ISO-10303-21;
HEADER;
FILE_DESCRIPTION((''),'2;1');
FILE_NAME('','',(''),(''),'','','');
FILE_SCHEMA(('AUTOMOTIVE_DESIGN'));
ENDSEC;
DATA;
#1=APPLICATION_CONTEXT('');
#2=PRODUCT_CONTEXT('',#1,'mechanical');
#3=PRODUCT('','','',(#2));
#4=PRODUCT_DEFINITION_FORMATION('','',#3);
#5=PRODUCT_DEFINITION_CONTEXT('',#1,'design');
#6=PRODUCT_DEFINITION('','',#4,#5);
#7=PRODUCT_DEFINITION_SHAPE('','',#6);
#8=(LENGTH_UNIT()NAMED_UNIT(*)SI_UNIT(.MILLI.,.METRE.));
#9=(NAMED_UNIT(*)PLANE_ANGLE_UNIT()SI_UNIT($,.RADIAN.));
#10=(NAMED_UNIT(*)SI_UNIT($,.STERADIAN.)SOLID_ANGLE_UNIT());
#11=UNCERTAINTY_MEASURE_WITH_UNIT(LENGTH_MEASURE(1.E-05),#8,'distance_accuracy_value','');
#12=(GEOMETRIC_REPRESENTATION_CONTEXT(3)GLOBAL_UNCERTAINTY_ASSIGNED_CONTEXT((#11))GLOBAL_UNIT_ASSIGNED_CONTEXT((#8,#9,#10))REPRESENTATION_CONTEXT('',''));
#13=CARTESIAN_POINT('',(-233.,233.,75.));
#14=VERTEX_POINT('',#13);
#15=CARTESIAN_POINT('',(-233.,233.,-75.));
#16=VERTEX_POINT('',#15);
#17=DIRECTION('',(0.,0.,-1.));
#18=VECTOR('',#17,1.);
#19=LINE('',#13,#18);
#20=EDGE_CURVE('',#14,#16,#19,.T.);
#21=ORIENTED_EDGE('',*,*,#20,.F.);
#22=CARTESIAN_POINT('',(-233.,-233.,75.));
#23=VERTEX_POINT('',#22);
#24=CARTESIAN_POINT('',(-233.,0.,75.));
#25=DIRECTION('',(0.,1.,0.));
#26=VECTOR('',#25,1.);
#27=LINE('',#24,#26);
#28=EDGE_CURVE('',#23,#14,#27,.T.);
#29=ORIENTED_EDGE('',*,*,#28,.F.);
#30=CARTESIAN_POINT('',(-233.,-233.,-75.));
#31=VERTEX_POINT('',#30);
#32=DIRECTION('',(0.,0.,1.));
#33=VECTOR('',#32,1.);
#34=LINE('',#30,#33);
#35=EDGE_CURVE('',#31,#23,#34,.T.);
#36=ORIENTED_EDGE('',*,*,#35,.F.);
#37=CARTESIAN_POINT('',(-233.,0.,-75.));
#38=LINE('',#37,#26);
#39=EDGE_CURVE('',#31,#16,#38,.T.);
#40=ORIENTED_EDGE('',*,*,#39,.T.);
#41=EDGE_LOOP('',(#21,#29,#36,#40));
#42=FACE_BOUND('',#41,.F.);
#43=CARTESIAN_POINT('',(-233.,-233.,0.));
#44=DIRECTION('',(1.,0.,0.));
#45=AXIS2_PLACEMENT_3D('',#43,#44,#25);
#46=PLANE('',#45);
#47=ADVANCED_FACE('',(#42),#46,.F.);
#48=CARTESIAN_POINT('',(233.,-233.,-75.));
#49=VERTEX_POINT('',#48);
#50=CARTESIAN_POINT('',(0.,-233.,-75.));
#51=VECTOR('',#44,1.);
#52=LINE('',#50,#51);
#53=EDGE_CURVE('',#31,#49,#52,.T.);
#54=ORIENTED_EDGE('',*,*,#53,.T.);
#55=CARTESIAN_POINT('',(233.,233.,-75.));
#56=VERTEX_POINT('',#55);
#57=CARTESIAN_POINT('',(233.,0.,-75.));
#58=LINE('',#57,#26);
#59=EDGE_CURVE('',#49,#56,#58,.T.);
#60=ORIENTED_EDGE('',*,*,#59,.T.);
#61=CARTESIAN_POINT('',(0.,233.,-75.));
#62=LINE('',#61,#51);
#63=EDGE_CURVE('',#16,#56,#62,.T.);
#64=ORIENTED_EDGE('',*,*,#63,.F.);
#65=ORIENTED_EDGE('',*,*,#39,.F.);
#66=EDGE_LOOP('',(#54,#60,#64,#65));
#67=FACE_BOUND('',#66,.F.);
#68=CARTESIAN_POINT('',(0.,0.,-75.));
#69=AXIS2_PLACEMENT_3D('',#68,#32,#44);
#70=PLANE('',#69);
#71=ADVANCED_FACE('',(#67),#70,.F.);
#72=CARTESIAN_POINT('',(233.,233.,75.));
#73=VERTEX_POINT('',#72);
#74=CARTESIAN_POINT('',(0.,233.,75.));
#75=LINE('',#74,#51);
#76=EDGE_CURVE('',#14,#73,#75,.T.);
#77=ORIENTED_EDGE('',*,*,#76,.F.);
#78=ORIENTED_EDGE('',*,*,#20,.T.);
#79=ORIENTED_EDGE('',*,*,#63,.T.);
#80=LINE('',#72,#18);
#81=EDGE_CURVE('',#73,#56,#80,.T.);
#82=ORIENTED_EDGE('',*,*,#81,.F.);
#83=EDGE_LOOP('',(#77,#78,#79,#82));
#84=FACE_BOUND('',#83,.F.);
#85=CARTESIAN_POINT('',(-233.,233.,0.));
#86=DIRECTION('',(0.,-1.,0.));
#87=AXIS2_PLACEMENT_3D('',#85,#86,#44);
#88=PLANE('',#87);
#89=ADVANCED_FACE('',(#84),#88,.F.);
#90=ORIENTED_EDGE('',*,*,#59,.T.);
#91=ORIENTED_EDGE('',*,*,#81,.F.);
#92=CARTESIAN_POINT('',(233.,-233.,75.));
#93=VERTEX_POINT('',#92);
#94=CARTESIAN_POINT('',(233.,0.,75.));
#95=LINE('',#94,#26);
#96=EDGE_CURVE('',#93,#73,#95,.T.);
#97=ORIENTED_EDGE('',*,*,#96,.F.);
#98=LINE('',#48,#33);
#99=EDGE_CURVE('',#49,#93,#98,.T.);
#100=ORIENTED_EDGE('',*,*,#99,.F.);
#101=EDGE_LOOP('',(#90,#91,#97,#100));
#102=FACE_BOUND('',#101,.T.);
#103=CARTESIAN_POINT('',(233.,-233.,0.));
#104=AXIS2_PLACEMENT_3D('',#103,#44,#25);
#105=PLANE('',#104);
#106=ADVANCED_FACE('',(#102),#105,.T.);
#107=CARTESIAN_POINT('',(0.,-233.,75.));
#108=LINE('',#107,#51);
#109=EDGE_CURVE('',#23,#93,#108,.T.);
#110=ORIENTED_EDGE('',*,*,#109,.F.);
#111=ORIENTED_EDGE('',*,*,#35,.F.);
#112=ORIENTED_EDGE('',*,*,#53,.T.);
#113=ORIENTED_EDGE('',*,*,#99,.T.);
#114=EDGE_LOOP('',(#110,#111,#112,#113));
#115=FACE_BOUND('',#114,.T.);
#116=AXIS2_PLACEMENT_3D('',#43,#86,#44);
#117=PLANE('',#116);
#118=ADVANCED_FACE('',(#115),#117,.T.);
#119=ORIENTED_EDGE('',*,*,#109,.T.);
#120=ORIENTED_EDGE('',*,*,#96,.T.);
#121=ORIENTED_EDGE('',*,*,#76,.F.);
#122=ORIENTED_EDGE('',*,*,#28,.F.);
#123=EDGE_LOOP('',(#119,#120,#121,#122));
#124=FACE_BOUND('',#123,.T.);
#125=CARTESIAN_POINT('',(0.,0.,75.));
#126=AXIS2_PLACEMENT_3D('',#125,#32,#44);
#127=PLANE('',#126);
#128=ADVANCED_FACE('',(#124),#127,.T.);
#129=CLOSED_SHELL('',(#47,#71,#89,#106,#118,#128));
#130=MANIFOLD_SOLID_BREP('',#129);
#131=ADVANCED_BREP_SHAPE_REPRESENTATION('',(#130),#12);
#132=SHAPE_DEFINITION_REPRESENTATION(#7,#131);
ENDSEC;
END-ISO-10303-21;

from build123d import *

# Parameters (mm, degrees)
F0_W     = 466
F0_H     = 466
F1_DEPTH = 75
F2_R     = 150
F3_DEPTH = 25


with BuildPart() as f1:
    # F0 (on Top) → F1 (new body, symmetric)
    with BuildSketch(Plane.XY):
        Rectangle(F0_W, F0_H)
    extrude(amount=F1_DEPTH, both=True)

    # F2 (on face) → F3 (join)
    with BuildSketch(Plane.XY.offset(75)):
        Circle(F2_R)
    extrude(amount=-F3_DEPTH)


solid = f1.part
